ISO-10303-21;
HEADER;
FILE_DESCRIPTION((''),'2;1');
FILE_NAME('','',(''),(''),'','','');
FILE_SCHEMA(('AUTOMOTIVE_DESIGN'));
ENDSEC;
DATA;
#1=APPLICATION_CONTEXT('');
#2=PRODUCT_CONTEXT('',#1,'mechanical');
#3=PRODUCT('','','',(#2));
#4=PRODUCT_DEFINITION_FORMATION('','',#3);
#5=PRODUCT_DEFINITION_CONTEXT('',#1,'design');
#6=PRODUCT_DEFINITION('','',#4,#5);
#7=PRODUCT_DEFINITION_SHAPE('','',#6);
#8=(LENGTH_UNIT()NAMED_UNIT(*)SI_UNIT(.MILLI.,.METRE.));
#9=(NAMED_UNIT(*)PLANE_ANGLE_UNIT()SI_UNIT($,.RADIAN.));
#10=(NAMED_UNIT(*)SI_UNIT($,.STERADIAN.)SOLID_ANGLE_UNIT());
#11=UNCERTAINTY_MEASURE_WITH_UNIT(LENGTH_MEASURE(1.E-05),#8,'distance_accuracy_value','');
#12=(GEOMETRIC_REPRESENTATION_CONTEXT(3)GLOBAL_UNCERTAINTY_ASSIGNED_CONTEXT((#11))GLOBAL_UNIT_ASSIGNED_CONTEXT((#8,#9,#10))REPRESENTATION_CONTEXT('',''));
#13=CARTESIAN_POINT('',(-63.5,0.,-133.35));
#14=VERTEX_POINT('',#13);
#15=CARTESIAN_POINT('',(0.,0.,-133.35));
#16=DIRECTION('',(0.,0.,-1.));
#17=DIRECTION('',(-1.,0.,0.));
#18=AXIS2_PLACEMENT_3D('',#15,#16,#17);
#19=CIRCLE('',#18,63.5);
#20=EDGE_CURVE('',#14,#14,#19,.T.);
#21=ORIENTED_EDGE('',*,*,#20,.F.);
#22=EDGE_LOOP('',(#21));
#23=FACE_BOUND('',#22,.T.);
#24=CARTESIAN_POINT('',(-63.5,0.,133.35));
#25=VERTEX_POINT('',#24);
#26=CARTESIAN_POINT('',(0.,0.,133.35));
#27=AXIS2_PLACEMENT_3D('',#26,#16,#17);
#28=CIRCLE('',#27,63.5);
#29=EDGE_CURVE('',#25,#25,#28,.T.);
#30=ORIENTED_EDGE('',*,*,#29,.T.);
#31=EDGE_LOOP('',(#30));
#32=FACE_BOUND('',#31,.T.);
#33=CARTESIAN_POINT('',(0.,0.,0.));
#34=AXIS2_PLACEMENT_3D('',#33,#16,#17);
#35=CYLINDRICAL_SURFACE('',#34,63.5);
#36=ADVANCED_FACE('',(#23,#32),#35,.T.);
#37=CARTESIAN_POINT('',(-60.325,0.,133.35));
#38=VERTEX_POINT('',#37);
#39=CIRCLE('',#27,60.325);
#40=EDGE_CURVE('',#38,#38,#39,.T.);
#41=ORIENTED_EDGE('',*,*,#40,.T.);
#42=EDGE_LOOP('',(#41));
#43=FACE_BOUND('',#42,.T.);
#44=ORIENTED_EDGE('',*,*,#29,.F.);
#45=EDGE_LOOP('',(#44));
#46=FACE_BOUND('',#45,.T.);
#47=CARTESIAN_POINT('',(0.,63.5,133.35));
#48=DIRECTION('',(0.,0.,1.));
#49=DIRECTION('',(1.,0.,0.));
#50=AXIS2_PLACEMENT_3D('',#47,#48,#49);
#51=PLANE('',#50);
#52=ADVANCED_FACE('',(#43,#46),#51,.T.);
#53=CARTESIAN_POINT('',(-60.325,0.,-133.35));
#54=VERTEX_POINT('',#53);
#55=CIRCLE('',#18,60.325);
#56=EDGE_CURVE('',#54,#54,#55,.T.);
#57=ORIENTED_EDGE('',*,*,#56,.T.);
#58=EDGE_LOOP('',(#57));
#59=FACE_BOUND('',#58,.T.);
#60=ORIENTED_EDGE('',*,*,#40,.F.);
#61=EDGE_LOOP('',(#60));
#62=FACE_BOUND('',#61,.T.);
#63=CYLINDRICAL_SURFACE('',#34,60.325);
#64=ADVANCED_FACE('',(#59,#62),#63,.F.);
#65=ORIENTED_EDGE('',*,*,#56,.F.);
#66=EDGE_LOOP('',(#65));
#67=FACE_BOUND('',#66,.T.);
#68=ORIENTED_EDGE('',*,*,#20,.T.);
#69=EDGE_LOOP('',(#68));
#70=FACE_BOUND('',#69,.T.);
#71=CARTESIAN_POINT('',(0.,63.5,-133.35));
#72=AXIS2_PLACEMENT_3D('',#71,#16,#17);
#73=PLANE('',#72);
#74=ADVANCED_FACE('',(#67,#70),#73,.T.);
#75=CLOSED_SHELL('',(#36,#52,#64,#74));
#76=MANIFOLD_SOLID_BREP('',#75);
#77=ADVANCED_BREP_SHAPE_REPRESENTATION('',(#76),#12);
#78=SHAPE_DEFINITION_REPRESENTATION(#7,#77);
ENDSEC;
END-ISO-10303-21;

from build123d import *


with BuildPart() as part:
    # Sketch1 → Revolve1 (revolve)
    with BuildSketch(Plane(origin=(0, 0, 0), x_dir=(0, 0, -1), z_dir=(1, 0, 0)), mode=Mode.PRIVATE) as revolve1_sk:
        Polygon((133.35, 63.5), (-133.35, 63.5), (-133.35, 60.325), (-0.507683574, 60.325), (133.35, 60.325), align=None)
    revolve(revolve1_sk.sketch.rotate(Axis((0, 0, 0), (0, 0, 1)), 90), axis=Axis((0, 0, 0), (0, 0, 1)))


solid = part.part
